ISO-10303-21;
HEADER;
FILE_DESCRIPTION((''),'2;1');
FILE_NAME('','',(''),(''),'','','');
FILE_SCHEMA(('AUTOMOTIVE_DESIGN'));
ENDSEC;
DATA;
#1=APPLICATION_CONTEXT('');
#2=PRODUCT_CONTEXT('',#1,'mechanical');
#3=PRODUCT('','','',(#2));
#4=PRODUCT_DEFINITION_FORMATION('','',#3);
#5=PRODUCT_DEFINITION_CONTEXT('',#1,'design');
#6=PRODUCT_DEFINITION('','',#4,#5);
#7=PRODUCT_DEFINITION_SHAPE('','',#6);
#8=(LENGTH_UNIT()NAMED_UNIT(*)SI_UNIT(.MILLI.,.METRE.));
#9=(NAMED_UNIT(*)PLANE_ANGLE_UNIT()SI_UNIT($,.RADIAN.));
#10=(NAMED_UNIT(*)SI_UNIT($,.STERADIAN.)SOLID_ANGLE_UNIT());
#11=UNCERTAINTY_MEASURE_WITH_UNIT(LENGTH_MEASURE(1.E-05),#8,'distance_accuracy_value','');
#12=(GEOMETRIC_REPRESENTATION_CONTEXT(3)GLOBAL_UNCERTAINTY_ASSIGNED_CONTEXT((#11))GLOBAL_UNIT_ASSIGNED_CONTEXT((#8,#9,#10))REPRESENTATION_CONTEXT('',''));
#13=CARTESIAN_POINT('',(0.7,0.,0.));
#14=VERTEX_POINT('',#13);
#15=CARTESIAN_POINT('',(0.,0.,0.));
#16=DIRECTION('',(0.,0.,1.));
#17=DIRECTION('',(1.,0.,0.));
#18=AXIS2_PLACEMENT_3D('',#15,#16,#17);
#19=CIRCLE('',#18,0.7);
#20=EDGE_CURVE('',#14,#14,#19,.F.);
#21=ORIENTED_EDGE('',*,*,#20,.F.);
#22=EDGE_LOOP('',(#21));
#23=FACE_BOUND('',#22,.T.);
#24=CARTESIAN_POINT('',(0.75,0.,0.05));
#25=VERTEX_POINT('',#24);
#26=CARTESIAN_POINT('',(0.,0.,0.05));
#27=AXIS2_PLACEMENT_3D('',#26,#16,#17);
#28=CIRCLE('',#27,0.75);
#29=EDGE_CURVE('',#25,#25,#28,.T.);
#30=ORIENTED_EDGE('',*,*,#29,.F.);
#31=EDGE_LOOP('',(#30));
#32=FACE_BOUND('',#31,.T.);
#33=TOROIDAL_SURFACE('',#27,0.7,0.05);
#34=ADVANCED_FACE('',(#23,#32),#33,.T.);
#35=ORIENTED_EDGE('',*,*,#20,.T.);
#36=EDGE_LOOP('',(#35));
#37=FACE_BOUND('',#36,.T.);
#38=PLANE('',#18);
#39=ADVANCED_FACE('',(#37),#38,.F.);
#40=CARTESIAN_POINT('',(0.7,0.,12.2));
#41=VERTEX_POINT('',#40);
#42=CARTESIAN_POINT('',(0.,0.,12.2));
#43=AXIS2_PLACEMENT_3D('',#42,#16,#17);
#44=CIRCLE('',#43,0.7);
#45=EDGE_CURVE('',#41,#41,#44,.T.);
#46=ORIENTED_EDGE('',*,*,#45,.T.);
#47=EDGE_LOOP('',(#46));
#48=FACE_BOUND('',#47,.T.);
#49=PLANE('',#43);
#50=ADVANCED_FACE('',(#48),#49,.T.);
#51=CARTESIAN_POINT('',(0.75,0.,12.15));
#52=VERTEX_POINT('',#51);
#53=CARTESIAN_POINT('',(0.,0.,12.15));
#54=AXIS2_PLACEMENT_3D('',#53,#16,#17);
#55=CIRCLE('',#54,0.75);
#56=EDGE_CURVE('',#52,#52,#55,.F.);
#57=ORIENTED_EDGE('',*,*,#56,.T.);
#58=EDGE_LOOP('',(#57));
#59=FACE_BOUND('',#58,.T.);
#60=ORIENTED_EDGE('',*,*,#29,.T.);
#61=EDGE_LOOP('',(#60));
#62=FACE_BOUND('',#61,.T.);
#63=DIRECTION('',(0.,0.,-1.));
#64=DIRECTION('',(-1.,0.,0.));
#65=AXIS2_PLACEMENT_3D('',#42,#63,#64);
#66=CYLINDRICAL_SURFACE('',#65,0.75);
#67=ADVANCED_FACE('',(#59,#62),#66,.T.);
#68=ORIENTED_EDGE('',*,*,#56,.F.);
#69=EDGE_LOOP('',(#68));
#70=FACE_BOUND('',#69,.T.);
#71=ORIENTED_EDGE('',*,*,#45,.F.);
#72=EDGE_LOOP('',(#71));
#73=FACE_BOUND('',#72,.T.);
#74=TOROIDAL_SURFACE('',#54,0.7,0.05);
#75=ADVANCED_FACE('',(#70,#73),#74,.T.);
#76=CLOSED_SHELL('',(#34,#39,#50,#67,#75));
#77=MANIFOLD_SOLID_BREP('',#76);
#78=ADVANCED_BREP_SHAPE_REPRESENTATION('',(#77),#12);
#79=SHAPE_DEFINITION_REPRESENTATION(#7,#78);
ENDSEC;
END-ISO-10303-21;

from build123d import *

# Parameters (mm, degrees)
SKETCH_1_R      = 0.75
EXTRUDE_1_DEPTH = 12.2
FILLET_1_R      = 0.05


with BuildPart() as part:
    # 草圖1 → 伸長1 (new body)
    with BuildSketch(Plane.XY):
        Circle(SKETCH_1_R)
    extrude(amount=EXTRUDE_1_DEPTH)

    # 圓角1
    fillet_1_edges = [part.edges().sort_by_distance(p)[0] for p in [
        (-0.75, 0, 0),
        (-0.75, 0, 12.2),
    ]]
    fillet(fillet_1_edges, radius=FILLET_1_R)


solid = part.part
